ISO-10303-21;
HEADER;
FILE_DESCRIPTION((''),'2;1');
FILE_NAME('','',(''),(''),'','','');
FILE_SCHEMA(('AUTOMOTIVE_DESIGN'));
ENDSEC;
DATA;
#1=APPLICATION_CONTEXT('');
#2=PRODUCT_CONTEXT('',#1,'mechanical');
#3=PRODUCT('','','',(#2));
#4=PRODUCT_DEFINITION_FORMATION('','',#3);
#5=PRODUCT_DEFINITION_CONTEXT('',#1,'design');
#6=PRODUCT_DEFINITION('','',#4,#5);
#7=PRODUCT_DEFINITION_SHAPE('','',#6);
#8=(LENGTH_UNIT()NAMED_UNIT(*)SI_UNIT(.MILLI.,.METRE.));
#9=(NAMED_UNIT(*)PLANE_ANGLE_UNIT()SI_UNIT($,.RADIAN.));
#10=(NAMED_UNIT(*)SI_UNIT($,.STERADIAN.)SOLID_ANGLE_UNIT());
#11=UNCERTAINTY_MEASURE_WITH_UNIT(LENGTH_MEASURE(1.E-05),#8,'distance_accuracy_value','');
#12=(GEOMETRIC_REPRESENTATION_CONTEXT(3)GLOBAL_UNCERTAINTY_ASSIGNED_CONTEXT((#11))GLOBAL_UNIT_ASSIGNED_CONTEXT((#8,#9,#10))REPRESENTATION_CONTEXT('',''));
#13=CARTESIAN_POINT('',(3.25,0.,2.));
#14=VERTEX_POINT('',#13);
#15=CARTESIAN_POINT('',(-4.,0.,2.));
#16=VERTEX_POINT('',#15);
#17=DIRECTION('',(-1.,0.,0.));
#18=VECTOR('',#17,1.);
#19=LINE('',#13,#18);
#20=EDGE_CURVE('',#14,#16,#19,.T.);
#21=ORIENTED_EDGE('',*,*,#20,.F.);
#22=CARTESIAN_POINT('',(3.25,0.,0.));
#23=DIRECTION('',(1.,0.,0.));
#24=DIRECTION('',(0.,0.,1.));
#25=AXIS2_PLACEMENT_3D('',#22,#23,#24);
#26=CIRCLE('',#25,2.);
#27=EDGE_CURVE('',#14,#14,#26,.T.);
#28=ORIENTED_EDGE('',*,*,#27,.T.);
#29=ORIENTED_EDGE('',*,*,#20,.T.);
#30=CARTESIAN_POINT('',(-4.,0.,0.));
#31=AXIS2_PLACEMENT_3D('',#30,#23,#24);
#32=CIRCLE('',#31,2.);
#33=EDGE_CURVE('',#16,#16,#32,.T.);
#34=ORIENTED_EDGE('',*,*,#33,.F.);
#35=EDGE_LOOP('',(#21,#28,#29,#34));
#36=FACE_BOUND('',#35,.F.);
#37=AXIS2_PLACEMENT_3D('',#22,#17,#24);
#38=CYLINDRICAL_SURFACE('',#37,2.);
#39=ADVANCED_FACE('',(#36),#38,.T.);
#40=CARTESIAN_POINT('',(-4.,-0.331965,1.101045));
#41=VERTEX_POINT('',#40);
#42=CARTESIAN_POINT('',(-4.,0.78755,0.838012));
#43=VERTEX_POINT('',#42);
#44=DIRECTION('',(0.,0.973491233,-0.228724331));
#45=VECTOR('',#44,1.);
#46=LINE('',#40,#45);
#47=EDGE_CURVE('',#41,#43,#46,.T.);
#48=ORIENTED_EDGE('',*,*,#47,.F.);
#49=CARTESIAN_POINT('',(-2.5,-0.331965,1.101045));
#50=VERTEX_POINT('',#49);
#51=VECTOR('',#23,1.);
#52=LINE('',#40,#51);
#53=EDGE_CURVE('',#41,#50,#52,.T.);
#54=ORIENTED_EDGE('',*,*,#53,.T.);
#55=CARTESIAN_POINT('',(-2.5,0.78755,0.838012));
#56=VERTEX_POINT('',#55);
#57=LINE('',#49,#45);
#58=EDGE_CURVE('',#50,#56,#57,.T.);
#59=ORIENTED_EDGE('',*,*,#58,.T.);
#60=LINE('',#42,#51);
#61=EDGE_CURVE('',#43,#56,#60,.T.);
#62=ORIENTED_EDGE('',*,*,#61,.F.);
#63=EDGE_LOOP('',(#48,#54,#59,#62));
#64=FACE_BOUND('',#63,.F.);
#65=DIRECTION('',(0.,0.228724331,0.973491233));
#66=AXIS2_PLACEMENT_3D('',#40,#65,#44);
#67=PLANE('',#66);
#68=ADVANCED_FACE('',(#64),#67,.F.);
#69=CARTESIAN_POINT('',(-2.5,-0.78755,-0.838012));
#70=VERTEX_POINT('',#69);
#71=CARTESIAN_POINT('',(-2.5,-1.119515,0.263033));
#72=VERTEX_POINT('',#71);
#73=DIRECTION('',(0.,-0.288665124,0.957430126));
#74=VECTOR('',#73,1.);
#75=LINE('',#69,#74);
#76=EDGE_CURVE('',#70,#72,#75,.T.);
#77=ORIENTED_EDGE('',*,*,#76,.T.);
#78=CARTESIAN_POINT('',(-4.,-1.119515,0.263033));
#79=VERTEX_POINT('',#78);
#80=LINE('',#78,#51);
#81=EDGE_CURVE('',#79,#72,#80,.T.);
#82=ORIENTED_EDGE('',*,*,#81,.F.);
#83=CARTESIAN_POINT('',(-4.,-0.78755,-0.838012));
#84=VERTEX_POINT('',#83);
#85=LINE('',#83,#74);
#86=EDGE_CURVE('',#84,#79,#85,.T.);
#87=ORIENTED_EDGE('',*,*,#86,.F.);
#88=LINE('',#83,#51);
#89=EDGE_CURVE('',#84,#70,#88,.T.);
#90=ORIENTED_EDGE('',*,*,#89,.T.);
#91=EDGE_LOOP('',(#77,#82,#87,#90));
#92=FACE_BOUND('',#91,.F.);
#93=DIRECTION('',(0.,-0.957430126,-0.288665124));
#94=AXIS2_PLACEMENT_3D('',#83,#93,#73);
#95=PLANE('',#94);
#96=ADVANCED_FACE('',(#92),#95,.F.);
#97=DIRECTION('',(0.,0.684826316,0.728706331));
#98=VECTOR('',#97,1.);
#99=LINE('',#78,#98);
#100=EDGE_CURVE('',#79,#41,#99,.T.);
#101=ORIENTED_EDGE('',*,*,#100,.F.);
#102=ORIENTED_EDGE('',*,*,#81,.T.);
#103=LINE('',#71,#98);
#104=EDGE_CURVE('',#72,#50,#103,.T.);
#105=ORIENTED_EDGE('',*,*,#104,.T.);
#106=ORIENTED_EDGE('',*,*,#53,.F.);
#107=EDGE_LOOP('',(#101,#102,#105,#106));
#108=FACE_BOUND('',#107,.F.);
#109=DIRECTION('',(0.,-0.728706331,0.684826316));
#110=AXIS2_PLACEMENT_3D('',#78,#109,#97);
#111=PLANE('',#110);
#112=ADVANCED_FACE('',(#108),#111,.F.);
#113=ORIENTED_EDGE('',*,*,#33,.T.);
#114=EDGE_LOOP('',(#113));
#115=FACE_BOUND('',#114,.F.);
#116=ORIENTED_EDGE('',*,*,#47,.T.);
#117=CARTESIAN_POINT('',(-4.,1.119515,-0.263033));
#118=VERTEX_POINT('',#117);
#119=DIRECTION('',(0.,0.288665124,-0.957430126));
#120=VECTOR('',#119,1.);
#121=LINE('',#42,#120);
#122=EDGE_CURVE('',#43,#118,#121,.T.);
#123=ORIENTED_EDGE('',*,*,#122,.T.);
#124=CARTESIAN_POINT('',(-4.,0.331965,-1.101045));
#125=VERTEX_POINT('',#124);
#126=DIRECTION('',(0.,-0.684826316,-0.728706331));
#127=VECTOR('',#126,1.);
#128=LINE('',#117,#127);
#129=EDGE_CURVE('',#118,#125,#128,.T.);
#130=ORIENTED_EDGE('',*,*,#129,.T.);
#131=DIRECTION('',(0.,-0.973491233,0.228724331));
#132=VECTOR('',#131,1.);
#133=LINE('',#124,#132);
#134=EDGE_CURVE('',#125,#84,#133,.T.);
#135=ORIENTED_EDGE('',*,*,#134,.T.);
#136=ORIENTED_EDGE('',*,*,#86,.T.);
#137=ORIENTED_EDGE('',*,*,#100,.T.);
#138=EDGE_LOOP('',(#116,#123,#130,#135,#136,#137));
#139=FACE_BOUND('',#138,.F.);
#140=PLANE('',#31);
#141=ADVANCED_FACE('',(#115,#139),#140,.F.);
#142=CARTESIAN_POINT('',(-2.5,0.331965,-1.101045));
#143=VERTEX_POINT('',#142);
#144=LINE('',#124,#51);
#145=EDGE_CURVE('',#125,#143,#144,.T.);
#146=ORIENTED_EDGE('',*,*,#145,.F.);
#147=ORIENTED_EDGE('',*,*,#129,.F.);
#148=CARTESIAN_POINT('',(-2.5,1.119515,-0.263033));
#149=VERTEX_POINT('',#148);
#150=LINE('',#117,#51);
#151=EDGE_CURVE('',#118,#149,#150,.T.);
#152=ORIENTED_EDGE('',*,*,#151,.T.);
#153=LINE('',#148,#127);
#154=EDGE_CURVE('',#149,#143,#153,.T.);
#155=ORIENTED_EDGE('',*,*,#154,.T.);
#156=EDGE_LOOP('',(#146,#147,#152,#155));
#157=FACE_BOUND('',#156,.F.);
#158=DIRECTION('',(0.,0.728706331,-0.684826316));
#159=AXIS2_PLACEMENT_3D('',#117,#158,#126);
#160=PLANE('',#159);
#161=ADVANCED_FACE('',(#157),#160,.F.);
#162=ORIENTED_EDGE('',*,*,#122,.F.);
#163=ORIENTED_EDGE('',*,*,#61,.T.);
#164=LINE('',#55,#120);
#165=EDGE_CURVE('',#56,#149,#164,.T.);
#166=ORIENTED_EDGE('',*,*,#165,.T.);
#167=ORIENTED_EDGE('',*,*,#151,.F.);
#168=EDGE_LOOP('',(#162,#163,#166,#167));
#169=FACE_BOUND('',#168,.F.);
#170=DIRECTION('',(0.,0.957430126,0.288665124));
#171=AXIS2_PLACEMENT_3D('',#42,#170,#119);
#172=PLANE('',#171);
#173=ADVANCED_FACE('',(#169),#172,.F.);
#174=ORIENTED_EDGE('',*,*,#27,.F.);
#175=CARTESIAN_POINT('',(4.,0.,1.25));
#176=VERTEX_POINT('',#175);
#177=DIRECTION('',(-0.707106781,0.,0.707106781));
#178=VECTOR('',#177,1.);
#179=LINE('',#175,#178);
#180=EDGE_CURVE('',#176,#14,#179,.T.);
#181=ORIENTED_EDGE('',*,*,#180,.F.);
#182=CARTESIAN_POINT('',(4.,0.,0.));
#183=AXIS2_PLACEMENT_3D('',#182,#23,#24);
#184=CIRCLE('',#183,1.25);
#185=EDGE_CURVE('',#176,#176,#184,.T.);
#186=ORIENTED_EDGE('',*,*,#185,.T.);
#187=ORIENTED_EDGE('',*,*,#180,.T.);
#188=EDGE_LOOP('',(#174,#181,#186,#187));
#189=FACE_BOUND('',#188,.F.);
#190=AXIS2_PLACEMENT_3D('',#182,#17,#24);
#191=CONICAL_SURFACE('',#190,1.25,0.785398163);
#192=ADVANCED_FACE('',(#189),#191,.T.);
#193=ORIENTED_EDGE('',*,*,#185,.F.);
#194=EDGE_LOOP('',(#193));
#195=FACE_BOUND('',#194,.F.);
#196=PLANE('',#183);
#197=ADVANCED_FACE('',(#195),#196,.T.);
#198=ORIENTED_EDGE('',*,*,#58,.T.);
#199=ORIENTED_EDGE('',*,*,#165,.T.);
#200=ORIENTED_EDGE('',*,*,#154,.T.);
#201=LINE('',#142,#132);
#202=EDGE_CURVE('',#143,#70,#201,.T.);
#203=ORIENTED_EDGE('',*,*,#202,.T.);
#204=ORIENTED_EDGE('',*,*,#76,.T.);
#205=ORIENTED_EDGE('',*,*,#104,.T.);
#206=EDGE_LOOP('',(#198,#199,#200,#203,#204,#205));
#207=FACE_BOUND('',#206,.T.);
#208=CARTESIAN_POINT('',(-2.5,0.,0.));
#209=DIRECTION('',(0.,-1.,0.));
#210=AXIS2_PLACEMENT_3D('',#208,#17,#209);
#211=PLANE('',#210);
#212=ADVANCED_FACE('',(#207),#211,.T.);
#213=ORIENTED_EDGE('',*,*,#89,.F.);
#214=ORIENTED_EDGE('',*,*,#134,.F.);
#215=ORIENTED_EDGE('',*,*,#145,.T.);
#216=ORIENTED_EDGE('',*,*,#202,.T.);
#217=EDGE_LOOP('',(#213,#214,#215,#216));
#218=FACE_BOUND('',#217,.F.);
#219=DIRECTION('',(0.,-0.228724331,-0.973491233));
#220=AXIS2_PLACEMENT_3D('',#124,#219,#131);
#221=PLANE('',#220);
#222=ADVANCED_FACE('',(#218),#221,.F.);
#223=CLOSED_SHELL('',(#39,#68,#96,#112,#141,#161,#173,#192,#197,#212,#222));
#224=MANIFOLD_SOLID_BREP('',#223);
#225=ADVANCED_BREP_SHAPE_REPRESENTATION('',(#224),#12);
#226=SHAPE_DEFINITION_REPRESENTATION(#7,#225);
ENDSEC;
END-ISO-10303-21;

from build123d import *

# Parameters (mm, degrees)
F3_DEPTH = 1.5


with BuildPart() as f1:
    # F0 (on Front) → F1 (revolve)
    with BuildSketch(Plane.XZ):
        Polygon((3.25, 2), (-4, 2), (-4, 0), (4, 0), (4, 1.25), align=None)
    revolve(axis=Axis((0, 0, 0), (1, 0, 0)))

    # F2 (on face) → F3 (cut)
    with BuildSketch(Plane(origin=(-4, 0, 0), x_dir=(0, -1, 0), z_dir=(-1, 0, 0))):
        Polygon((1.119515, 0.263033), (0.331965, 1.101045), (-0.78755, 0.838012), (-1.119515, -0.263033), (-0.331965, -1.101045), (0.78755, -0.838012), align=None)
    extrude(amount=-F3_DEPTH, mode=Mode.SUBTRACT)


solid = f1.part
